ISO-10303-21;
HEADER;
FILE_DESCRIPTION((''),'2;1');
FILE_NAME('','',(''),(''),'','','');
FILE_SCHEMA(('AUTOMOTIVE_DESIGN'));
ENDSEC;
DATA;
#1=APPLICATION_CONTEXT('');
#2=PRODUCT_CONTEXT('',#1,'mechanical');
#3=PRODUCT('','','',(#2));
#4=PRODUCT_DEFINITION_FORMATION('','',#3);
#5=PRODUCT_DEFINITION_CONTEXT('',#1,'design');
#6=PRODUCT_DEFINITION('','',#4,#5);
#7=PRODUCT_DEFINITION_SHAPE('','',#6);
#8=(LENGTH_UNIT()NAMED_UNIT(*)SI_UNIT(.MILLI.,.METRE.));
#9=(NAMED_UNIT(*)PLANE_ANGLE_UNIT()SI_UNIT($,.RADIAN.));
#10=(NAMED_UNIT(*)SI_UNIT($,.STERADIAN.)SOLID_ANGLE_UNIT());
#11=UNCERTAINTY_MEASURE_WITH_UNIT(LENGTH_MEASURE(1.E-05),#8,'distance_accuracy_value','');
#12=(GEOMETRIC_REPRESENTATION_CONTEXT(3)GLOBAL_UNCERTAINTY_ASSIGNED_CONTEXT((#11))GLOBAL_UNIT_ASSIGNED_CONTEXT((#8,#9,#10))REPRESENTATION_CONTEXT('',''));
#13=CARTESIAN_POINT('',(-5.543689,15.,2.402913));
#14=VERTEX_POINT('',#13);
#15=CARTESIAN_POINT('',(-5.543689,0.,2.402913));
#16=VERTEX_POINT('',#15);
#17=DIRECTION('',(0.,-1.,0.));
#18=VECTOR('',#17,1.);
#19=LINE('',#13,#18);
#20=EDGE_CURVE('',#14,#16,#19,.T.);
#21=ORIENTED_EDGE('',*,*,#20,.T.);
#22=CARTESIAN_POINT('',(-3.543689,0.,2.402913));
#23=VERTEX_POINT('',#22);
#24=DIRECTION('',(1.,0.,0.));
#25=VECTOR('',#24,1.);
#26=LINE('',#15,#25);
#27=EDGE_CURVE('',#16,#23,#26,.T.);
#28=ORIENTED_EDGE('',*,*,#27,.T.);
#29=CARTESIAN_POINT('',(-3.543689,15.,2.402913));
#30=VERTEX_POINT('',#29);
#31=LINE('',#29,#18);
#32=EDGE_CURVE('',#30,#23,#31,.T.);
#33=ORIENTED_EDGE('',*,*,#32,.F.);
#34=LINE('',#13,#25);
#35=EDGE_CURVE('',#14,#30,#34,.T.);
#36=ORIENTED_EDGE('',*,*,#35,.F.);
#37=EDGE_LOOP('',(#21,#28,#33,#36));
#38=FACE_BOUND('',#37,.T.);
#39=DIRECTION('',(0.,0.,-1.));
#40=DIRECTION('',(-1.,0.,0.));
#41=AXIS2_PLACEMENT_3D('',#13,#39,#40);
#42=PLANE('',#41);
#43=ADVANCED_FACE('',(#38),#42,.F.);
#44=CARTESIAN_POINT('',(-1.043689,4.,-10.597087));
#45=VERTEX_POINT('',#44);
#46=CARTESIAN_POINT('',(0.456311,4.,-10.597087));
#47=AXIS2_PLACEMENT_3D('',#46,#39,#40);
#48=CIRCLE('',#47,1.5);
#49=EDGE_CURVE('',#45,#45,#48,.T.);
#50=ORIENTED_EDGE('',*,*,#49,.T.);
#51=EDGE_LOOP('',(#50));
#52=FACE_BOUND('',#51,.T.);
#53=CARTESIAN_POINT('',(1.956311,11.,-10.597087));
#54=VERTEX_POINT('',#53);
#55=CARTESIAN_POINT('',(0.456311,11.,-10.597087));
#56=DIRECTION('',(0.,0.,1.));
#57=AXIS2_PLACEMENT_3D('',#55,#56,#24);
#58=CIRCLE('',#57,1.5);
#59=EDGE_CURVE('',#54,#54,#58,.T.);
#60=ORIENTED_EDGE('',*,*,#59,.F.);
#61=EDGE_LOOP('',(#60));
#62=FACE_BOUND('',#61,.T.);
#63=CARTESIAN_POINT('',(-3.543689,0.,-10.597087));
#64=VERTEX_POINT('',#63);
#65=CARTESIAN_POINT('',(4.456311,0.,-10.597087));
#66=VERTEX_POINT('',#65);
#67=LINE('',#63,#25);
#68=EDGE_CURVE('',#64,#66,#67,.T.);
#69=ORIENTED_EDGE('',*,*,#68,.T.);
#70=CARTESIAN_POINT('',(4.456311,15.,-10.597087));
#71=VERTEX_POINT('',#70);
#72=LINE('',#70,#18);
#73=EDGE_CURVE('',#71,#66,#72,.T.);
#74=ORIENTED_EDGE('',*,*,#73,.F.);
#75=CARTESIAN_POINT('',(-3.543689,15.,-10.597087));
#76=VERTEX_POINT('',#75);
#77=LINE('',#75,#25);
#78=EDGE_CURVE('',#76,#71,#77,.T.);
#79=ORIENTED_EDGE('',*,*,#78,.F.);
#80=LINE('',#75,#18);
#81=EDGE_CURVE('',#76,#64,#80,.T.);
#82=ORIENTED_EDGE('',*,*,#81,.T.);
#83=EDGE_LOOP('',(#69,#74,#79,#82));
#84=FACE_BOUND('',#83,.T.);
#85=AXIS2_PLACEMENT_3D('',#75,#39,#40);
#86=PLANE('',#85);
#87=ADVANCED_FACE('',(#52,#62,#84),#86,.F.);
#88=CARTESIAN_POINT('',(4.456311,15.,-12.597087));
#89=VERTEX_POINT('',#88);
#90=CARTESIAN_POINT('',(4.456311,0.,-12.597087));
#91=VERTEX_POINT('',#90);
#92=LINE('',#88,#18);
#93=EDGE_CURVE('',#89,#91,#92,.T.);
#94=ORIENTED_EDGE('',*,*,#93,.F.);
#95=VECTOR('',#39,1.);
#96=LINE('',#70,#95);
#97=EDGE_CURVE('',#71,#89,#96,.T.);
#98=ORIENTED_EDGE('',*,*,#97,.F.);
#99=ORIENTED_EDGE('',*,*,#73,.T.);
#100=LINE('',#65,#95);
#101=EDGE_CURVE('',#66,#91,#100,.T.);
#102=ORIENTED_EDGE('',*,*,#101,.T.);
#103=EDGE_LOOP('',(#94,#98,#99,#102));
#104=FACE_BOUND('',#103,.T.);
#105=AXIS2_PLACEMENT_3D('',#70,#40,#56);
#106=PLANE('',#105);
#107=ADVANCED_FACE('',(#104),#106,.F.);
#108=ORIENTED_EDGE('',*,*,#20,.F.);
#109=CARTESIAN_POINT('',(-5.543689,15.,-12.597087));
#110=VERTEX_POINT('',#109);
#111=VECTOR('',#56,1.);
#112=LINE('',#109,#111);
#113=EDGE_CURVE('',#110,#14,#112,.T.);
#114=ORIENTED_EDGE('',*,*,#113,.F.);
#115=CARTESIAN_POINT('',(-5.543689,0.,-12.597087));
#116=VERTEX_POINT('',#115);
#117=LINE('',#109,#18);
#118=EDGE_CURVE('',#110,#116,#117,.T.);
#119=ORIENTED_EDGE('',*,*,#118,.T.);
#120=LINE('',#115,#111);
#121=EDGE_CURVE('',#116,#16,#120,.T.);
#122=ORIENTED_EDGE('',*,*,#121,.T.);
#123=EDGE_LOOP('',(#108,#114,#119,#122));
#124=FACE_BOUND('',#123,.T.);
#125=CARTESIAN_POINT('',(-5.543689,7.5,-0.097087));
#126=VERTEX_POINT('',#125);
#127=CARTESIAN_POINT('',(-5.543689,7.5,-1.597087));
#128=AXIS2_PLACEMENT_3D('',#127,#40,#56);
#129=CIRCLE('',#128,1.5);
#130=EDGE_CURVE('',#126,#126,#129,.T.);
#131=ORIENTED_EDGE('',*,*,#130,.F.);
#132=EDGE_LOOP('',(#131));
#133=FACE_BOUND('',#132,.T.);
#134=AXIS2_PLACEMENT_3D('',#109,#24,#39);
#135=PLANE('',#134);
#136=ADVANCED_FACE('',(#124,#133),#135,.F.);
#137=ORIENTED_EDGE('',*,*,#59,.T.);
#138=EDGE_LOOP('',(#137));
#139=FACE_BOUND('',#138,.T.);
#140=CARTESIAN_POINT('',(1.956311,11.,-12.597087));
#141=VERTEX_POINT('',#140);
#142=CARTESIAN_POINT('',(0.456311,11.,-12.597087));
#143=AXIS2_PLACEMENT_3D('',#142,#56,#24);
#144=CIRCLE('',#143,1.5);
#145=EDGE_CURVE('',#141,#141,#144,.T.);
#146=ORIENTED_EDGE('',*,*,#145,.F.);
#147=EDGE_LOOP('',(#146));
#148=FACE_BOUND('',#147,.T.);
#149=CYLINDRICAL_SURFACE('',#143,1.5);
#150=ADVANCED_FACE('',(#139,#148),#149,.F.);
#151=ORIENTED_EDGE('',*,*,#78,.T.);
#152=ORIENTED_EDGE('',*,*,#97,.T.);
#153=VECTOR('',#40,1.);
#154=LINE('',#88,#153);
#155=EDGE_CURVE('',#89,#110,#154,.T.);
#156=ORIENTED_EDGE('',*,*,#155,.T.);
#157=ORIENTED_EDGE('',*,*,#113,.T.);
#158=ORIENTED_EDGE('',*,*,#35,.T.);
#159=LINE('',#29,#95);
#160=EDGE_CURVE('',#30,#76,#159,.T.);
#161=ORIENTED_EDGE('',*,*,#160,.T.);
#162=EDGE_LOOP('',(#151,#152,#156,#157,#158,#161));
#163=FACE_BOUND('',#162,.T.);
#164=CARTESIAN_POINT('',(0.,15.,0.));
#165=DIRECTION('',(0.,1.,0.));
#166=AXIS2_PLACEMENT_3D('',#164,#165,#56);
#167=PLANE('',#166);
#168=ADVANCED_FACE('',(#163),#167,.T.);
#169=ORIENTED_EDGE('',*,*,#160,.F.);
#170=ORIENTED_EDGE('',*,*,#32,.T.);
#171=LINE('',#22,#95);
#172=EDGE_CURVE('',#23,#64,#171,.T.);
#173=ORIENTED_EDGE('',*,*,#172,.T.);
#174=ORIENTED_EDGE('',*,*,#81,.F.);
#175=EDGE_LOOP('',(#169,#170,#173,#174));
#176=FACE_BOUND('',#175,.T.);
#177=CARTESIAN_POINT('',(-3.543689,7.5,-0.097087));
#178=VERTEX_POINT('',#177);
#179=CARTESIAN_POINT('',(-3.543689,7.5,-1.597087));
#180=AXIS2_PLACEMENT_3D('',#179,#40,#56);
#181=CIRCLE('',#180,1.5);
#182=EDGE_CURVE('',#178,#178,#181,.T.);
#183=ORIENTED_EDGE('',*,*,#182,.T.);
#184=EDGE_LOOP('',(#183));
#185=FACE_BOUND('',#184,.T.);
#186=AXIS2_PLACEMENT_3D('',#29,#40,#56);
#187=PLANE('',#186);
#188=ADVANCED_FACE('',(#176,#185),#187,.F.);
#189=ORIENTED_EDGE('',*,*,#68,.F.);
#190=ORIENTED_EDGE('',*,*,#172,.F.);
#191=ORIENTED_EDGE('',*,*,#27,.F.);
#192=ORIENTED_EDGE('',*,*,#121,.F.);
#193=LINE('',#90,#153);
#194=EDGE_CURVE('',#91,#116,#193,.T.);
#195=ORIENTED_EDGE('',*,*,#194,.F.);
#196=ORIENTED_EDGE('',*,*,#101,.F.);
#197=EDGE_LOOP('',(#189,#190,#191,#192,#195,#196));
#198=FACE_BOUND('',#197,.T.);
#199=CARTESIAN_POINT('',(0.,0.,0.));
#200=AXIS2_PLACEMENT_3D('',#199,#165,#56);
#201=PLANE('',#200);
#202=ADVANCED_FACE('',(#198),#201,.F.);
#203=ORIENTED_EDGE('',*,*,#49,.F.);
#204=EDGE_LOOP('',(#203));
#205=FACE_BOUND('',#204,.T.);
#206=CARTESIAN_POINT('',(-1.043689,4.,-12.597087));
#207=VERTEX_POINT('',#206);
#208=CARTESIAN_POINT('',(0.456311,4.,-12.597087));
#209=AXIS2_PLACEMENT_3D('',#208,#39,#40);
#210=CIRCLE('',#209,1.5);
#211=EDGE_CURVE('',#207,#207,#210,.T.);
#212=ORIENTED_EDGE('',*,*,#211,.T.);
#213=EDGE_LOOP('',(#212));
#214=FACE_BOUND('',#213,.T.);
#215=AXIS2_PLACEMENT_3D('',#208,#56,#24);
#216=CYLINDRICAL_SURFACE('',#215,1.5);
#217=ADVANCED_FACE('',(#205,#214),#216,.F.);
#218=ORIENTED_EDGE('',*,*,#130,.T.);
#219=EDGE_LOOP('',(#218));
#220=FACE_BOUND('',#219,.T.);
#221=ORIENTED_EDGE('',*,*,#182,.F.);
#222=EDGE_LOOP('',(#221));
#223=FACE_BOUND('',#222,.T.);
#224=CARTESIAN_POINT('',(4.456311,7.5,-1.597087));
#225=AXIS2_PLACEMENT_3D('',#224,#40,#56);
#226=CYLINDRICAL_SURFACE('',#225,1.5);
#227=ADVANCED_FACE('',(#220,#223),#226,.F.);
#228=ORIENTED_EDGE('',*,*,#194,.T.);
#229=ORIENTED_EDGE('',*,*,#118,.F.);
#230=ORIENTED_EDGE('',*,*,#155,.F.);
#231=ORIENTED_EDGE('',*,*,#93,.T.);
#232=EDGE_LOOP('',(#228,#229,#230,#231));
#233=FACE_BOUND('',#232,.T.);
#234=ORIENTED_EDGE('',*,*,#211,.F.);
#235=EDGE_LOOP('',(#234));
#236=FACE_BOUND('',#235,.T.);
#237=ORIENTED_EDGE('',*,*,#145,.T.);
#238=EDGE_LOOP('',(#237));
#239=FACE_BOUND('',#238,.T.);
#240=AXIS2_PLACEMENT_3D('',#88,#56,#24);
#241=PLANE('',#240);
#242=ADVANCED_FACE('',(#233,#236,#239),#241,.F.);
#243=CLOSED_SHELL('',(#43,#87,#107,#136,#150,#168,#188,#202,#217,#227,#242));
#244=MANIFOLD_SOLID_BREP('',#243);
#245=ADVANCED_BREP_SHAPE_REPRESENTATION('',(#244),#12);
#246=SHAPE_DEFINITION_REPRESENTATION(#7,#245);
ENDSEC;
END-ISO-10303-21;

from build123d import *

# Parameters (mm, degrees)
BOSS_EXTRUDE1_DEPTH             = 15
SKETCH3_R                       = 1.5
CUT_EXTRUDE1_DEPTH              = 3
SKETCH4_R                       = 1.5
SCHNITT_LINEAR_AUSTRAGEN1_DEPTH = 10


with BuildPart() as part:
    # Sketch1 → Boss-Extrude1 (new body)
    with BuildSketch(Plane(origin=(0, 0, 0), x_dir=(1, 0, 0), z_dir=(0, 1, 0))):
        Polygon((4.45631068, 12.597087379), (-5.54368932, 12.597087379), (-5.54368932, -2.402912621), (-3.54368932, -2.402912621), (-3.54368932, 10.597087379), (4.45631068, 10.597087379), align=None)
    extrude(amount=BOSS_EXTRUDE1_DEPTH)

    # Sketch3 → Cut-Extrude1 (cut, through all)
    with BuildSketch(Plane.XY.offset(-10.597087379)):
        with Locations((0.45631068, 11)):
            Circle(SKETCH3_R)
        with Locations((0.45631068, 4)):
            Circle(SKETCH3_R)
    extrude(amount=-CUT_EXTRUDE1_DEPTH, mode=Mode.SUBTRACT)

    # Sketch4 → Schnitt-Linear austragen1 (cut)
    with BuildSketch(Plane.ZY.offset(5.54368932)):
        with Locations((-1.597087379, 7.5)):
            Circle(SKETCH4_R)
    extrude(amount=-SCHNITT_LINEAR_AUSTRAGEN1_DEPTH, mode=Mode.SUBTRACT)


solid = part.part
